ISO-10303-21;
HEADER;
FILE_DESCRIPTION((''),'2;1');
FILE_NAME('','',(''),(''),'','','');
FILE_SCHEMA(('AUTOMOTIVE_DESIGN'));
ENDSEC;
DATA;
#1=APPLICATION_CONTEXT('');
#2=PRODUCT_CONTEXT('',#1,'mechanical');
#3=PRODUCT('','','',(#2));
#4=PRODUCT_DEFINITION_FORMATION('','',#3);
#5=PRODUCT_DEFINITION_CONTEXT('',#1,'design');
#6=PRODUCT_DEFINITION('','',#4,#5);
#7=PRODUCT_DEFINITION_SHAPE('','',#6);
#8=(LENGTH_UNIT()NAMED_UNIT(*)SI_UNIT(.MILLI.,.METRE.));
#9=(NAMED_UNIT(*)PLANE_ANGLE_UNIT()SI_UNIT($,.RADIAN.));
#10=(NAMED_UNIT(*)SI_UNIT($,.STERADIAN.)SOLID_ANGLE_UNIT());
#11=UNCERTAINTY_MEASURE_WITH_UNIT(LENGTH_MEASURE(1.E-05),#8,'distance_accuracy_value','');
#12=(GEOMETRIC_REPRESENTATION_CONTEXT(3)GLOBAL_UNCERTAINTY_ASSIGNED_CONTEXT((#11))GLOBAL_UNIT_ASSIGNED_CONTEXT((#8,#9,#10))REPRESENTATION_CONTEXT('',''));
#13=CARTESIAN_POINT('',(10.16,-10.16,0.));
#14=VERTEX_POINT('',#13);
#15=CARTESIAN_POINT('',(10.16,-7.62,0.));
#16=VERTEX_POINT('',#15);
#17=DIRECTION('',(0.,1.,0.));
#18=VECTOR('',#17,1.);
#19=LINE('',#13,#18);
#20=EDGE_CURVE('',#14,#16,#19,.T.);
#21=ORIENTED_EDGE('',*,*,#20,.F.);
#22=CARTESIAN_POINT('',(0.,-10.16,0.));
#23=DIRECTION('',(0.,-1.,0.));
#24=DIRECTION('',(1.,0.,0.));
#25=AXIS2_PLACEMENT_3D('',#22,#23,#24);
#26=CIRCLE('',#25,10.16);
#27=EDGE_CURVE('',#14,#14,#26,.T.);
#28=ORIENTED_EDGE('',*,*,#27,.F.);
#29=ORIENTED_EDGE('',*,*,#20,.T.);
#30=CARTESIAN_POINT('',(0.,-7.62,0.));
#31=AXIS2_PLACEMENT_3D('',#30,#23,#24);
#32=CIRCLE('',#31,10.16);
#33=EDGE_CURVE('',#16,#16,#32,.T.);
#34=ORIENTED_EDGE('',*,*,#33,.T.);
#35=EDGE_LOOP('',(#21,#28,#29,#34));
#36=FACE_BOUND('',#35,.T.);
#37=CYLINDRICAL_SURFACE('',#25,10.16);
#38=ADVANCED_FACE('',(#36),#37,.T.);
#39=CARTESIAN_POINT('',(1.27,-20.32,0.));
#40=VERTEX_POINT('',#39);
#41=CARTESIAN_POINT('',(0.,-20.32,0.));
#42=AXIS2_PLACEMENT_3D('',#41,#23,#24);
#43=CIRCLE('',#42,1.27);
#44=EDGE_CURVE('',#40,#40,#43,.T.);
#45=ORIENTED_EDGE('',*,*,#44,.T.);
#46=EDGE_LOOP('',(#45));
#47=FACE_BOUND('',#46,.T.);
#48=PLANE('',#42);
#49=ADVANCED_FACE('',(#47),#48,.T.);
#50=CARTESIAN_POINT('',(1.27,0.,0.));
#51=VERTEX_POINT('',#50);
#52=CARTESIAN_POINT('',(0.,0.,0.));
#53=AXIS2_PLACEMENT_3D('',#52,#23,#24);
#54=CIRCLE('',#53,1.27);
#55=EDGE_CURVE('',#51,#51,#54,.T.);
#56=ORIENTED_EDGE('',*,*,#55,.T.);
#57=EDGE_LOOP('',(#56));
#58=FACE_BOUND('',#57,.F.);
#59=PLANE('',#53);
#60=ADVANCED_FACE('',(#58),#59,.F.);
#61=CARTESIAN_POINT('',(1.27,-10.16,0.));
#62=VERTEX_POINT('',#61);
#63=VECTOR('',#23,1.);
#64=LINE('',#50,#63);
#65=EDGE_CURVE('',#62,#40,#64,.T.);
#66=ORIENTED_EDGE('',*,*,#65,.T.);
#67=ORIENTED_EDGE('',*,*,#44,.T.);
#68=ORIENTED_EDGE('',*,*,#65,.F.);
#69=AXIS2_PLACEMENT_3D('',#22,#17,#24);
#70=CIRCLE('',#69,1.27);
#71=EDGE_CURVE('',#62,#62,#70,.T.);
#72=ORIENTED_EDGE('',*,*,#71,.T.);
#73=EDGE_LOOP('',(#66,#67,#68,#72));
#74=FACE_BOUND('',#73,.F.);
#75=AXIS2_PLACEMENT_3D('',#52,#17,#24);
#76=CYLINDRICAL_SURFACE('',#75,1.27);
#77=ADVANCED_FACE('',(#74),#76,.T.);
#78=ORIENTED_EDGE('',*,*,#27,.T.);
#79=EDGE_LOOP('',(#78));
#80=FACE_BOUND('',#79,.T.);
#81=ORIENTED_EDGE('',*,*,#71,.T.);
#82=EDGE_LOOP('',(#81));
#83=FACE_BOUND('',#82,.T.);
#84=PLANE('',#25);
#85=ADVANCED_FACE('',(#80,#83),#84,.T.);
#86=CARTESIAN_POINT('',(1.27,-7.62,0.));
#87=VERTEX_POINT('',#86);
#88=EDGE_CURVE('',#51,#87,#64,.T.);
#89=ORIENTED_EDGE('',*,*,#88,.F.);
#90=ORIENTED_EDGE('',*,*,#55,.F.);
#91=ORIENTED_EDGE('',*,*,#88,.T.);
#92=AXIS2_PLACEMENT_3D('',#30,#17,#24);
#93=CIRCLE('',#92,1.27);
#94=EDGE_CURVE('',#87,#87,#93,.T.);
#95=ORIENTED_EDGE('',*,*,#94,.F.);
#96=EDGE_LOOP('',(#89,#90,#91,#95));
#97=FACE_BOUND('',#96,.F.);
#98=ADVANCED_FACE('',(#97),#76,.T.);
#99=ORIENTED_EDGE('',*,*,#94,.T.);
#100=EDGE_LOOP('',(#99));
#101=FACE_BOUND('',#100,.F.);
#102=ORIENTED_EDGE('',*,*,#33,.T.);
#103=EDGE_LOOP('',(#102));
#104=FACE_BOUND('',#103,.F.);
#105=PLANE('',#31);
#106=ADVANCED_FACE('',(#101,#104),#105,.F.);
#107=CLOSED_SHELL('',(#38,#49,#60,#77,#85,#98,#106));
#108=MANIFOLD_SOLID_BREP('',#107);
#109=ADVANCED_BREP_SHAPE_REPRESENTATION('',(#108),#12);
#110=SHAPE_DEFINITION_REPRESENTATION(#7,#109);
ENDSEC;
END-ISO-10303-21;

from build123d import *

# Parameters (mm, degrees)
F0_R     = 1.27
F1_DEPTH = 20.32
F3_R     = 10.16
F4_DEPTH = 2.54


with BuildPart() as f1:
    # F0 (on Front) → F1 (new body)
    with BuildSketch(Plane.XZ):
        Circle(F0_R)
    extrude(amount=F1_DEPTH)

    # F3 (on offset) → F4 (join)
    with BuildSketch(Plane.XZ.offset(10.16)):
        Circle(F3_R)
    extrude(amount=-F4_DEPTH)


solid = f1.part
